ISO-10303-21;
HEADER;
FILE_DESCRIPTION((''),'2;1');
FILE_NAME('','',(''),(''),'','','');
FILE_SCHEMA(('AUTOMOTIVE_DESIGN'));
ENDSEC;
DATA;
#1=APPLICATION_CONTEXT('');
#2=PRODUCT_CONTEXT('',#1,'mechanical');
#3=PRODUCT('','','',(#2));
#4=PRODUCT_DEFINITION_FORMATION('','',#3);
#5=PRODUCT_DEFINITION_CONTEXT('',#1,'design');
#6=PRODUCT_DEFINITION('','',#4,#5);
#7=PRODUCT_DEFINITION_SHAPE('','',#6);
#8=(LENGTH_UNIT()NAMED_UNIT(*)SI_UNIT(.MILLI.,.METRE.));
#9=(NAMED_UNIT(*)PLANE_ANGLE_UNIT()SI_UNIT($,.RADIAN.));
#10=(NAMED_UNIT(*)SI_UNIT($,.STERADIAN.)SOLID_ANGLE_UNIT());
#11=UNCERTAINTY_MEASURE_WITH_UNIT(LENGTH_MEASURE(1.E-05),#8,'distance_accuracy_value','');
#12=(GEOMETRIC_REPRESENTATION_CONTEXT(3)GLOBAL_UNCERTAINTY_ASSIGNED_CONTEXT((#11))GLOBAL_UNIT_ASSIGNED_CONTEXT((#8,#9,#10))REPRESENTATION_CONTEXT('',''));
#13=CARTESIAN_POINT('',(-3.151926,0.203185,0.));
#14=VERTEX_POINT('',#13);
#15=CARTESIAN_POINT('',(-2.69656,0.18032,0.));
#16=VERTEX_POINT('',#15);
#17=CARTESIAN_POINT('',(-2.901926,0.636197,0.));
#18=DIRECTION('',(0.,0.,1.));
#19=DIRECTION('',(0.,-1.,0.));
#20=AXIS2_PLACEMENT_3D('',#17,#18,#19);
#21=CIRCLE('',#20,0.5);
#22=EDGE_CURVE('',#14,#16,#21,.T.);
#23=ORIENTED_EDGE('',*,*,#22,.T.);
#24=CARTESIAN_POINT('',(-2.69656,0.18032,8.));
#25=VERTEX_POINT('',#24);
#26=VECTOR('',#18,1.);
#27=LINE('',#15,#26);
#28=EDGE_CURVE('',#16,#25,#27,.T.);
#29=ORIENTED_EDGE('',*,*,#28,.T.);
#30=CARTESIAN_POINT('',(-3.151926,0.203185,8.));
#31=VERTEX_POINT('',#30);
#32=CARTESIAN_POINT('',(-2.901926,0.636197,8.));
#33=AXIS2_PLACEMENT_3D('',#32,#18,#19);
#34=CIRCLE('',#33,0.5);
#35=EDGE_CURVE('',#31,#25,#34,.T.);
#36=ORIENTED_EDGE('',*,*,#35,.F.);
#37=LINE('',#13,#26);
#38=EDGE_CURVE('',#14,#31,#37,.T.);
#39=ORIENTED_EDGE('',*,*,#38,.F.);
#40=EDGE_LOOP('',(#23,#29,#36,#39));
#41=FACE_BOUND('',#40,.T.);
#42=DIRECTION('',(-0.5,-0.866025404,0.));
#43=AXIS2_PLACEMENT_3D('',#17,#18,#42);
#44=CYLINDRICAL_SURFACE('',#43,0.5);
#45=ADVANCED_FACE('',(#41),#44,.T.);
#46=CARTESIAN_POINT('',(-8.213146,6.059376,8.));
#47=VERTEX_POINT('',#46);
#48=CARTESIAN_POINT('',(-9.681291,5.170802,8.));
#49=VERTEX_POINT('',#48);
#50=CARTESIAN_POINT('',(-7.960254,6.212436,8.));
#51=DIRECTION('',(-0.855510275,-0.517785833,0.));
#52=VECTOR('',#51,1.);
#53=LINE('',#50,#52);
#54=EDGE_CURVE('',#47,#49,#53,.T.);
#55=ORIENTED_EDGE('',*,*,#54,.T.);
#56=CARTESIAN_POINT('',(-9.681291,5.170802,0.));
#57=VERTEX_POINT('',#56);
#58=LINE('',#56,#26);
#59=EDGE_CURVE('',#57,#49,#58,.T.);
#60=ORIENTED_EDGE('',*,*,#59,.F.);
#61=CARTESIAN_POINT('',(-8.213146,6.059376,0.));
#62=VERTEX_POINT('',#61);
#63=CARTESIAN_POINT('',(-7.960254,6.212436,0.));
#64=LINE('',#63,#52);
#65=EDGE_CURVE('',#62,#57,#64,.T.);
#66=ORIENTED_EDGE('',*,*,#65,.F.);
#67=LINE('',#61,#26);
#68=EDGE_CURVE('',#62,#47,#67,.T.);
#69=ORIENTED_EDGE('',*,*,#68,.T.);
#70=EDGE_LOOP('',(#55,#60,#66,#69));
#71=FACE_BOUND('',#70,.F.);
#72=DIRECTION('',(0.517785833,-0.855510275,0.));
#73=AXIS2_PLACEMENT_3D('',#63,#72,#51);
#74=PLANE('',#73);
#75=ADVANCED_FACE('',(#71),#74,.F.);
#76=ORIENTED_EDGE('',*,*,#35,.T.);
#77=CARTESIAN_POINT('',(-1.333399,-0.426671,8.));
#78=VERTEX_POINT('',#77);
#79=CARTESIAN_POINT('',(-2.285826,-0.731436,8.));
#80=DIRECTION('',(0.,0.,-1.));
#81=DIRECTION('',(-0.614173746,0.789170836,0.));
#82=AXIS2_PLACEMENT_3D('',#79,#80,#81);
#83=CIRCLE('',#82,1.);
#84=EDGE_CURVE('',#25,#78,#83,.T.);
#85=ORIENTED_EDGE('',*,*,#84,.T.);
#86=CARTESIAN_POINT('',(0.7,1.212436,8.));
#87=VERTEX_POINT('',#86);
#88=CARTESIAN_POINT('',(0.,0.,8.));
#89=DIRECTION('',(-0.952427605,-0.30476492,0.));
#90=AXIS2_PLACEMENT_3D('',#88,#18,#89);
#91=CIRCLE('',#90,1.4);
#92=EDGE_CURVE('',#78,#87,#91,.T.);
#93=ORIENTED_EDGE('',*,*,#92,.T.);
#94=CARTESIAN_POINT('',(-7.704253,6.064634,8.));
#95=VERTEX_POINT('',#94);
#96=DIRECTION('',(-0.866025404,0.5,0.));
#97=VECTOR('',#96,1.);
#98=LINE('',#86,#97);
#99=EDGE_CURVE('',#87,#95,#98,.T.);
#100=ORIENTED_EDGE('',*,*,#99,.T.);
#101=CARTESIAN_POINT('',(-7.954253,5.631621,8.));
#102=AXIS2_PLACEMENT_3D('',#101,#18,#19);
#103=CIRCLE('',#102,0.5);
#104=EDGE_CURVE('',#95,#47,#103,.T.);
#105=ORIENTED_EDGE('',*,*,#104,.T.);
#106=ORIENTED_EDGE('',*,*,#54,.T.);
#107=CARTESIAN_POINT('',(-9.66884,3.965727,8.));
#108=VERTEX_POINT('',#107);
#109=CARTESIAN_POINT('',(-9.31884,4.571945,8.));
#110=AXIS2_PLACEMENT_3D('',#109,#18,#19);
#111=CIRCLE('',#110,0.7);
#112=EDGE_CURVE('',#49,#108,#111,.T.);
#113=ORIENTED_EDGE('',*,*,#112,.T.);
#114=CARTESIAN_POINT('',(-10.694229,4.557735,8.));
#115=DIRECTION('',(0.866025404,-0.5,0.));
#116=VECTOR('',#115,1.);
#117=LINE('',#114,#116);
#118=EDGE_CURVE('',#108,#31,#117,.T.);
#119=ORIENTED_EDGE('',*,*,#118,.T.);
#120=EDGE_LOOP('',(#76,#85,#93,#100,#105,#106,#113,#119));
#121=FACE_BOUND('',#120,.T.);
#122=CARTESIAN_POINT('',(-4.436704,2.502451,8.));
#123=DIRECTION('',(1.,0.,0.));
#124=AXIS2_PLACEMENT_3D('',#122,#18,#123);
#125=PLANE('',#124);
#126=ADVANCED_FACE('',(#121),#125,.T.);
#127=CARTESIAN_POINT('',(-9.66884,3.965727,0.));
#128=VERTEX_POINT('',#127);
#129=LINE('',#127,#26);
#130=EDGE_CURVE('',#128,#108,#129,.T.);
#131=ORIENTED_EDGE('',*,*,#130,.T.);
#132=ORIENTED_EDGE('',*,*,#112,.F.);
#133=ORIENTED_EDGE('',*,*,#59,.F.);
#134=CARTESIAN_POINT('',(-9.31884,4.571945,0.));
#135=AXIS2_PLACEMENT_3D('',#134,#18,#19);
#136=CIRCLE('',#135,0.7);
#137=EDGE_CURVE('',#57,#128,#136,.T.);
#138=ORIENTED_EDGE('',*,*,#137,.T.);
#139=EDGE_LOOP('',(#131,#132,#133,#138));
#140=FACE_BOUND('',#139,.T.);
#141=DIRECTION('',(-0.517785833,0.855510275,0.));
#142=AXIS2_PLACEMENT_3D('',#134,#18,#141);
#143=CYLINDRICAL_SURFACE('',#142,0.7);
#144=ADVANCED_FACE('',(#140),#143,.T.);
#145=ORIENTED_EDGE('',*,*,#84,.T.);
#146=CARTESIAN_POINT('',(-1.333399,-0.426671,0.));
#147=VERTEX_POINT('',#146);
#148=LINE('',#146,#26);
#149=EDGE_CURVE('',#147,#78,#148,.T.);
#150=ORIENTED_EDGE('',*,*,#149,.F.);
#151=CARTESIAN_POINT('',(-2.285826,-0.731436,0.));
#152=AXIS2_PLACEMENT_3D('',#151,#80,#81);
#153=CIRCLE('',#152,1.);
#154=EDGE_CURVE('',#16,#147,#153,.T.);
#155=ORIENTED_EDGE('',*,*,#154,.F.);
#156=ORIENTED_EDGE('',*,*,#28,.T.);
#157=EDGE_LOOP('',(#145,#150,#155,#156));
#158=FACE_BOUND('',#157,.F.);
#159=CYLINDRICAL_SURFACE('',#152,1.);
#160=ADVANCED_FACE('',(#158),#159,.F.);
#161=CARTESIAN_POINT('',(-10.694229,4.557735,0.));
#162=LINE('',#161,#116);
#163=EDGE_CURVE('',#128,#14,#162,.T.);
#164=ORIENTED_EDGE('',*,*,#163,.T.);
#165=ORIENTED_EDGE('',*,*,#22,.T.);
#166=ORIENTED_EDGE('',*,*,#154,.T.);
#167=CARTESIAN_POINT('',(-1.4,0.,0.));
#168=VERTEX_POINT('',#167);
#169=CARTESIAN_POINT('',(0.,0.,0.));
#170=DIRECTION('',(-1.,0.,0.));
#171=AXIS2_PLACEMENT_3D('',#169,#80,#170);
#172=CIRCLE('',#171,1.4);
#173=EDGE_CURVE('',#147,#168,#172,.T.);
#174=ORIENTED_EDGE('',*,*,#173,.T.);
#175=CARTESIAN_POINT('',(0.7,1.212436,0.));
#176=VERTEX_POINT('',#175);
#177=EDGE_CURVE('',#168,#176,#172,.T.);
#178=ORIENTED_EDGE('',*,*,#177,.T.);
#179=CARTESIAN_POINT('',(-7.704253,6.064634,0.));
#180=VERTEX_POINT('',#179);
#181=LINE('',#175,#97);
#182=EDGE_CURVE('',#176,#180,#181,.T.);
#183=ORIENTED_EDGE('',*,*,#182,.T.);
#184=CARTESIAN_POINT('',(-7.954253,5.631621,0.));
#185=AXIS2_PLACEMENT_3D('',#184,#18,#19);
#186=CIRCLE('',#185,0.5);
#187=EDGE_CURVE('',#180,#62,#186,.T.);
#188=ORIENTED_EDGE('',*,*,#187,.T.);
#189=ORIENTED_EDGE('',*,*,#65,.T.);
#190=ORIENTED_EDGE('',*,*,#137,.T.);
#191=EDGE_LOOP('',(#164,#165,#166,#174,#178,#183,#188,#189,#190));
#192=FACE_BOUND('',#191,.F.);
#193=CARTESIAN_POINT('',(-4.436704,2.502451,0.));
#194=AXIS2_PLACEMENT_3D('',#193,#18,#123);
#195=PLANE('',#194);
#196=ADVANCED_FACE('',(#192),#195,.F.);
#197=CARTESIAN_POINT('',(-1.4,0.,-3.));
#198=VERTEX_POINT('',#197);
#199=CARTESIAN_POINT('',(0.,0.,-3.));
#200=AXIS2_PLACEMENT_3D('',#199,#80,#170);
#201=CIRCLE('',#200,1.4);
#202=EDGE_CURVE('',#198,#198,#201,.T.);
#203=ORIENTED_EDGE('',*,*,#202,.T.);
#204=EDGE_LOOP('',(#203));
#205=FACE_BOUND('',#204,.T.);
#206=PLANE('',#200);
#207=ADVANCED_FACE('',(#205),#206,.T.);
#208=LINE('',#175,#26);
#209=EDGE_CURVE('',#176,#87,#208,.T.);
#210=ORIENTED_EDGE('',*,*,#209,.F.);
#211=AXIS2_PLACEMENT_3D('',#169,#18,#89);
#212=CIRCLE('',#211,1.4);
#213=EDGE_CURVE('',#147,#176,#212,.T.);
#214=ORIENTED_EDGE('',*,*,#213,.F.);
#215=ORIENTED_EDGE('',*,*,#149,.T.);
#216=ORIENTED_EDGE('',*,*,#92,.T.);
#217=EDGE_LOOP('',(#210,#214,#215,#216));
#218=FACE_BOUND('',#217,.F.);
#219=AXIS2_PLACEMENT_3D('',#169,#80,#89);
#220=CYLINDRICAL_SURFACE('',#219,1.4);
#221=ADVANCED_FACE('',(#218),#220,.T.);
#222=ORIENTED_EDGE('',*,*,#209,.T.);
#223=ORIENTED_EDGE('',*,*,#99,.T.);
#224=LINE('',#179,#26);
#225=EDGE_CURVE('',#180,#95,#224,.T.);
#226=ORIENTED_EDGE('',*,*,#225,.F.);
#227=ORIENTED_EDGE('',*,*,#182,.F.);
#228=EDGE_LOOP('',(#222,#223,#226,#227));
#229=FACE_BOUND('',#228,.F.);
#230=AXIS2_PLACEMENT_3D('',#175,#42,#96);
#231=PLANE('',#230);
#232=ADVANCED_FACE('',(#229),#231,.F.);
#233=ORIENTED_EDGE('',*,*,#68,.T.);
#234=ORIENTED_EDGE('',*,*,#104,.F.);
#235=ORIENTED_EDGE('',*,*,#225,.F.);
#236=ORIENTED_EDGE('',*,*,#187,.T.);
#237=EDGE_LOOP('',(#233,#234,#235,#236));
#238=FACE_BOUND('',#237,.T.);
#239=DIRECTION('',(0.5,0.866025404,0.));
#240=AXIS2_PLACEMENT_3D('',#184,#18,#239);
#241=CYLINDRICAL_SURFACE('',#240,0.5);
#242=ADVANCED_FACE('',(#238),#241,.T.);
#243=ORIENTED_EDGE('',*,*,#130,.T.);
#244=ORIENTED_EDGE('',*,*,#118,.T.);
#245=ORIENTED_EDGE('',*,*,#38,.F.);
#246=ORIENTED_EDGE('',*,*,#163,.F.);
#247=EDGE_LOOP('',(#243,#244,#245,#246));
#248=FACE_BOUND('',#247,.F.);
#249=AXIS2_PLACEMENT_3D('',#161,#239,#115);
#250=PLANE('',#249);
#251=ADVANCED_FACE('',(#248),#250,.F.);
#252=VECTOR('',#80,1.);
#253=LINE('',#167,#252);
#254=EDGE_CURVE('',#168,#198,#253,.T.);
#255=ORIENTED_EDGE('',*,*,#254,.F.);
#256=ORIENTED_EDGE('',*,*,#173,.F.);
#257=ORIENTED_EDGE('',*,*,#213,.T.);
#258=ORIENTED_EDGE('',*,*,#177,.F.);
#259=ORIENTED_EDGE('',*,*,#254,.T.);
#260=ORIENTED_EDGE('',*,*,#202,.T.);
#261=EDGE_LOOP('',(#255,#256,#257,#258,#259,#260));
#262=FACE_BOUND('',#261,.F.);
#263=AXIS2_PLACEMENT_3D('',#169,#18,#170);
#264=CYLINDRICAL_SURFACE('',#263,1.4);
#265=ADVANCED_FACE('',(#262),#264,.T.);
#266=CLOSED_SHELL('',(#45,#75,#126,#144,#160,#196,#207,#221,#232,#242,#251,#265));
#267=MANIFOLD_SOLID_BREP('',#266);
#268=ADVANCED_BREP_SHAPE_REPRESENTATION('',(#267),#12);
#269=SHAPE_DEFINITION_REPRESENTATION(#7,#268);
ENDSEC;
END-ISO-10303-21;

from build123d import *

# Parameters (mm, degrees)
EXTRUDE_1_DEPTH = 8
FILLET_1_R      = 0.5
FILLET_2_R      = 0.7
SKETCH_2_R      = 1.4
EXTRUDE_2_DEPTH = 3


with BuildPart() as part:
    # 草图1 → 凸台-拉伸1 (new body)
    with BuildSketch(Plane.XY):
        with BuildLine():
            Line((0.7, 1.212435565), (-7.960254038, 6.212435565))
            Line((-7.960254038, 6.212435565), (-10.694228634, 4.557735027))
            Line((-10.694228634, 4.557735027), (-2.9, 0.057735027))
            ThreePointArc((-2.9, 0.057735027), (-1.990417738, 0.223935223), (-1.333398647, -0.426670889))
            ThreePointArc((-1.333398647, -0.426670889), (0.878615931, -1.089969746), (0.7, 1.212435565))
        make_face()
    extrude(amount=EXTRUDE_1_DEPTH)

    # 圆角1
    fillet_1_edges = [part.edges().sort_by_distance(p)[0] for p in [
        (-7.960254038, 6.212435565, 4),
        (-2.9, 0.057735027, 4),
    ]]
    fillet(fillet_1_edges, radius=FILLET_1_R)

    # 圆角2
    fillet_2_edges = [part.edges().sort_by_distance(p)[0] for p in [
        (-10.694228634, 4.557735027, 4),
    ]]
    fillet(fillet_2_edges, radius=FILLET_2_R)

    # 草图2 → 凸台-拉伸2 (add)
    with BuildSketch(Plane(origin=(0, 0, 0), x_dir=(-1, 0, 0), z_dir=(0, 0, -1))):
        Circle(SKETCH_2_R)
    extrude(amount=EXTRUDE_2_DEPTH)


solid = part.part
